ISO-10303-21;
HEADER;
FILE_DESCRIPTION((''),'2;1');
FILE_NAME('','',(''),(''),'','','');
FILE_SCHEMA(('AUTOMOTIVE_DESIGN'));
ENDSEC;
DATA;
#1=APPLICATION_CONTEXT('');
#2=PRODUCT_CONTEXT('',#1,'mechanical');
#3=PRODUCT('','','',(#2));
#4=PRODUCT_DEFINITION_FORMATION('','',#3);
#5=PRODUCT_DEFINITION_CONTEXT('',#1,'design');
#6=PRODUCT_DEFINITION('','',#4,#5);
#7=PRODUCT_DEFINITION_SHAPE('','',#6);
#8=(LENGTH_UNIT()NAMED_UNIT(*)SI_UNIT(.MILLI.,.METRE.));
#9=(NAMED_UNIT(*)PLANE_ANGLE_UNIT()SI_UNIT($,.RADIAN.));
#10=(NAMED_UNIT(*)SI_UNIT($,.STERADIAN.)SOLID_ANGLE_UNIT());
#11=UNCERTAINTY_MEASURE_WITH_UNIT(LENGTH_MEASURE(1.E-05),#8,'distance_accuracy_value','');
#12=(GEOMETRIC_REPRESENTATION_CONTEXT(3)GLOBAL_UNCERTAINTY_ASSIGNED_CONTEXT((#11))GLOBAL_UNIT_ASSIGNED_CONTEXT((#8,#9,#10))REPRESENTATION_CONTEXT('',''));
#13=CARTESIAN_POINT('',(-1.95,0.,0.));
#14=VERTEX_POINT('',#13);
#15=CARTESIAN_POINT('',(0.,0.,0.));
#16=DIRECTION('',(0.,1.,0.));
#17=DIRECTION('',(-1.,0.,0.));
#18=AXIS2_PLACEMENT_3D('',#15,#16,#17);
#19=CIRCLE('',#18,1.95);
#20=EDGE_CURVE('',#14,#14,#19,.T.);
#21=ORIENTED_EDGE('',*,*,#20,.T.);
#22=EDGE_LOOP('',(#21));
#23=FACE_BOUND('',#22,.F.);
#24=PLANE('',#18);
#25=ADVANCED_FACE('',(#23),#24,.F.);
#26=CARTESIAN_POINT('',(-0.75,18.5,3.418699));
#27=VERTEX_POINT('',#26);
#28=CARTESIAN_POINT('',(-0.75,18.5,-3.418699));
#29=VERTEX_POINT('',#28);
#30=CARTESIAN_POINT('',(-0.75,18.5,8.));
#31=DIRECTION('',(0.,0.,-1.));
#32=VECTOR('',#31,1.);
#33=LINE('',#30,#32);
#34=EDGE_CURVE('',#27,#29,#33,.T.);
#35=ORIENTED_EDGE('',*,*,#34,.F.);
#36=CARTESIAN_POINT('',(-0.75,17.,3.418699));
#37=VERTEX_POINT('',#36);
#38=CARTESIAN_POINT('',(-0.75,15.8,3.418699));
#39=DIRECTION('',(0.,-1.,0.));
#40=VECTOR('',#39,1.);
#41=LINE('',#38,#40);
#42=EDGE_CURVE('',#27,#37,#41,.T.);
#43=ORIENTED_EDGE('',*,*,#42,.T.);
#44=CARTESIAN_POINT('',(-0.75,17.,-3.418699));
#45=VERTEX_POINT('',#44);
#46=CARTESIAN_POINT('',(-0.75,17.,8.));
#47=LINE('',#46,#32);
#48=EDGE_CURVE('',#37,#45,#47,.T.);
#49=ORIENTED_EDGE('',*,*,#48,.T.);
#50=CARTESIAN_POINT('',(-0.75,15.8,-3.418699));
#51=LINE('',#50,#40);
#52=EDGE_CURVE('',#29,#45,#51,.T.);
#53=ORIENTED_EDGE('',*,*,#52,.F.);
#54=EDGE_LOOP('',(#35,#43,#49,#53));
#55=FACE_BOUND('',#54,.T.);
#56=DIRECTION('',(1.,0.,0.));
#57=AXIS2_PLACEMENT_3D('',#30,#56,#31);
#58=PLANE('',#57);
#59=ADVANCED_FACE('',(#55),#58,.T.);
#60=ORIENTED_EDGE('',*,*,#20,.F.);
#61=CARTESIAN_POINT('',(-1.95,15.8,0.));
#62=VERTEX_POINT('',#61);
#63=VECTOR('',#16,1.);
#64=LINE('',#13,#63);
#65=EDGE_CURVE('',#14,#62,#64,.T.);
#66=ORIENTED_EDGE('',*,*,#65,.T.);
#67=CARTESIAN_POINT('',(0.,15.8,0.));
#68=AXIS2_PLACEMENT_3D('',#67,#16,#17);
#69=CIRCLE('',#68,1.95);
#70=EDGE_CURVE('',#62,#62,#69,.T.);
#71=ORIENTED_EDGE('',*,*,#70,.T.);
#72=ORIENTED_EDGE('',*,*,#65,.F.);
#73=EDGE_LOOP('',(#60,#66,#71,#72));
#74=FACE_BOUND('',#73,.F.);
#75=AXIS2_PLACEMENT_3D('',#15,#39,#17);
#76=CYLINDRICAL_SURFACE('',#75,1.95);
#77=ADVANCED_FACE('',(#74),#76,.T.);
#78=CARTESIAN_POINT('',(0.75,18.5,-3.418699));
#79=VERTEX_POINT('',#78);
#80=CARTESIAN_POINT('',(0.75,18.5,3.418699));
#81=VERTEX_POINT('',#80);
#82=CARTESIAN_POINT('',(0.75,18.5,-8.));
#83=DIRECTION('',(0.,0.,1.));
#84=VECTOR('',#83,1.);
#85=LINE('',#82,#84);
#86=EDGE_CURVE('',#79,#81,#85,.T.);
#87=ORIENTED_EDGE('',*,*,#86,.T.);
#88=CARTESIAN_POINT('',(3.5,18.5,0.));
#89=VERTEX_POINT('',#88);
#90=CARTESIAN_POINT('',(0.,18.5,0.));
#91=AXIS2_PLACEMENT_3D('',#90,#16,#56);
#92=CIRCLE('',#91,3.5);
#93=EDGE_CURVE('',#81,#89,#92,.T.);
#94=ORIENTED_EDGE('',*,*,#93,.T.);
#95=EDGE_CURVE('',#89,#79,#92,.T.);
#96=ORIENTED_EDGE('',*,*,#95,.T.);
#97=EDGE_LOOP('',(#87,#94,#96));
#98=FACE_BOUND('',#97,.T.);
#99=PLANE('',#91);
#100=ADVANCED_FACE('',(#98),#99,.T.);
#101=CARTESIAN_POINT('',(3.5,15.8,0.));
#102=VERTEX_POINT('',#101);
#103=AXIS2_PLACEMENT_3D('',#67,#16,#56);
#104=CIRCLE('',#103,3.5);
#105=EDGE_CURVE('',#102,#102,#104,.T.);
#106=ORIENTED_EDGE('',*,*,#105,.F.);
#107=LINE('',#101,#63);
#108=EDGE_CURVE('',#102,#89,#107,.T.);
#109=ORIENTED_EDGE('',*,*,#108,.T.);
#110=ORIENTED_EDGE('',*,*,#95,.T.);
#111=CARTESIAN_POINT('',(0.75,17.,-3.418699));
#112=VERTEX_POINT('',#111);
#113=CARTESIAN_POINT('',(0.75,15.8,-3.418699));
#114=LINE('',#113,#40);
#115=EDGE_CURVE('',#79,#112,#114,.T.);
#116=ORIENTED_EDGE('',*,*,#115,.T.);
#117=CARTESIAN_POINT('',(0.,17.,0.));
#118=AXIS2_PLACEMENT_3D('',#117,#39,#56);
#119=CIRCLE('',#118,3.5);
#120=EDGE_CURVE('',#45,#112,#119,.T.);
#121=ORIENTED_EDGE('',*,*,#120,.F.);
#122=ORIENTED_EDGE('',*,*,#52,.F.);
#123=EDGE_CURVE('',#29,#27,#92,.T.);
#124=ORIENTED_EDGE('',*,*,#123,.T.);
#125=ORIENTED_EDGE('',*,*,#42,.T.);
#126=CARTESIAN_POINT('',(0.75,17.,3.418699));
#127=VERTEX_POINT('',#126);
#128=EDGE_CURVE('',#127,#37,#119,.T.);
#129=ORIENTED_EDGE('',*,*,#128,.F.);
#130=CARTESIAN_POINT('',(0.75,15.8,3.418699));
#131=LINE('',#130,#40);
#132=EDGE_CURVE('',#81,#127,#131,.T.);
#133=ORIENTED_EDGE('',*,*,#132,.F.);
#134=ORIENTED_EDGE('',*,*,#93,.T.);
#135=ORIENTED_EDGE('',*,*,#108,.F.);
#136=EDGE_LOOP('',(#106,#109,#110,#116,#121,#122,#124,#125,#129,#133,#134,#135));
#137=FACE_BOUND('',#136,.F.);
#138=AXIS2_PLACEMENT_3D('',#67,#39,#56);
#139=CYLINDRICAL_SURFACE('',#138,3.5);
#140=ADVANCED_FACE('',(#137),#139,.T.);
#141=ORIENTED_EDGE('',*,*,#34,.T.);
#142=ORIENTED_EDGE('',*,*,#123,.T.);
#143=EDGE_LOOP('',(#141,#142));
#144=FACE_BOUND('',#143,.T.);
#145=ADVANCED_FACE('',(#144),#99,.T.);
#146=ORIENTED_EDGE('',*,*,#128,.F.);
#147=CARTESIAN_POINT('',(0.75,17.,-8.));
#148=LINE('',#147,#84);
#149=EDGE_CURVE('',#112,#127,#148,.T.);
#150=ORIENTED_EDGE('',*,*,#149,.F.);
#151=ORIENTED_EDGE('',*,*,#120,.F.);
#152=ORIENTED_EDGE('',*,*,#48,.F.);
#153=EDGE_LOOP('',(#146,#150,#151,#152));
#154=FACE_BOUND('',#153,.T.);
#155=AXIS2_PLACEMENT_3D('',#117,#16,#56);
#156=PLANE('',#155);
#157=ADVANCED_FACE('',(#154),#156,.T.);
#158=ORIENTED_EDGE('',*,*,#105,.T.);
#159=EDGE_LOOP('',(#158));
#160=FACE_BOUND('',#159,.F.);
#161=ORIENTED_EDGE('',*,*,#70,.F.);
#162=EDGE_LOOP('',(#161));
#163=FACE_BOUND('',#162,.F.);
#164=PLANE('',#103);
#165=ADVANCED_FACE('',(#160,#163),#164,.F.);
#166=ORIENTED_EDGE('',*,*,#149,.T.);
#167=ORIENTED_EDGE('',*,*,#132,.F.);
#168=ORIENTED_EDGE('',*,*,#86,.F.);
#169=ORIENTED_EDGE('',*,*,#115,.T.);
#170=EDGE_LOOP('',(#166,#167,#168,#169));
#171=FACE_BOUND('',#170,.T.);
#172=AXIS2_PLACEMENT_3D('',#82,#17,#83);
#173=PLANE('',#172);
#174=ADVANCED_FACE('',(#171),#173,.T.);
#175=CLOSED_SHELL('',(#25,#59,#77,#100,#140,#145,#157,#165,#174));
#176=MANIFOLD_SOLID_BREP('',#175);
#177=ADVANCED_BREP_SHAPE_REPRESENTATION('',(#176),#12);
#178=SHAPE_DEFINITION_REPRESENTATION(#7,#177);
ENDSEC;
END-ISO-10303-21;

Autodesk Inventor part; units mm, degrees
ref_plane "YZ Plane" through (0, 0, 0) normal (1, 0, 0) x (0, 1, 0)
ref_plane "XZ Plane" through (0, 0, 0) normal (0, 1, 0) x (-1, 0, 0)
ref_plane "XY Plane" through (0, 0, 0) normal (0, 0, 1) x (1, 0, 0)
sketch "Sketch1" plane through (0, 0, 0) normal (0, 1, 0) x (-1, 0, 0)
  circle A0 centre (0, 0) radius 1.95
  dimension "d0" = 3.9
extrude "Extrusion1" add sketch "Sketch1" along normal blind 15.8
sketch "Sketch2" plane through (0, 15.8, 0) normal (0, 1, 0) x (1, 0, 0)
  circle A0 centre (0, 0) radius 3.5
  dimension "d3" = 7
extrude "Extrusion2" add sketch "Sketch2" along normal blind 2.7
sketch "Sketch3" plane through (0, 18.5, 0) normal (0, 1, 0) x (1, 0, 0)
  line L0 (0.75, -8) -> (-0.75, -8)
  line L1 (-0.75, -8) -> (-0.75, 8)
  line L2 (-0.75, 8) -> (0.75, 8)
  line L3 (0.75, 8) -> (0.75, -8)
  line L4 (0.75, -8) -> (-0.75, 8) construction
  line L5 (-0.75, -8) -> (0.75, 8) construction
  point P0 (0, 0)
  dimension "d6" = 1.5
  dimension "d7" = 16
extrude "Extrusion3" cut sketch "Sketch3" against normal blind 1.5
properties part number "screw18.5mm" material "Stainless Steel"
